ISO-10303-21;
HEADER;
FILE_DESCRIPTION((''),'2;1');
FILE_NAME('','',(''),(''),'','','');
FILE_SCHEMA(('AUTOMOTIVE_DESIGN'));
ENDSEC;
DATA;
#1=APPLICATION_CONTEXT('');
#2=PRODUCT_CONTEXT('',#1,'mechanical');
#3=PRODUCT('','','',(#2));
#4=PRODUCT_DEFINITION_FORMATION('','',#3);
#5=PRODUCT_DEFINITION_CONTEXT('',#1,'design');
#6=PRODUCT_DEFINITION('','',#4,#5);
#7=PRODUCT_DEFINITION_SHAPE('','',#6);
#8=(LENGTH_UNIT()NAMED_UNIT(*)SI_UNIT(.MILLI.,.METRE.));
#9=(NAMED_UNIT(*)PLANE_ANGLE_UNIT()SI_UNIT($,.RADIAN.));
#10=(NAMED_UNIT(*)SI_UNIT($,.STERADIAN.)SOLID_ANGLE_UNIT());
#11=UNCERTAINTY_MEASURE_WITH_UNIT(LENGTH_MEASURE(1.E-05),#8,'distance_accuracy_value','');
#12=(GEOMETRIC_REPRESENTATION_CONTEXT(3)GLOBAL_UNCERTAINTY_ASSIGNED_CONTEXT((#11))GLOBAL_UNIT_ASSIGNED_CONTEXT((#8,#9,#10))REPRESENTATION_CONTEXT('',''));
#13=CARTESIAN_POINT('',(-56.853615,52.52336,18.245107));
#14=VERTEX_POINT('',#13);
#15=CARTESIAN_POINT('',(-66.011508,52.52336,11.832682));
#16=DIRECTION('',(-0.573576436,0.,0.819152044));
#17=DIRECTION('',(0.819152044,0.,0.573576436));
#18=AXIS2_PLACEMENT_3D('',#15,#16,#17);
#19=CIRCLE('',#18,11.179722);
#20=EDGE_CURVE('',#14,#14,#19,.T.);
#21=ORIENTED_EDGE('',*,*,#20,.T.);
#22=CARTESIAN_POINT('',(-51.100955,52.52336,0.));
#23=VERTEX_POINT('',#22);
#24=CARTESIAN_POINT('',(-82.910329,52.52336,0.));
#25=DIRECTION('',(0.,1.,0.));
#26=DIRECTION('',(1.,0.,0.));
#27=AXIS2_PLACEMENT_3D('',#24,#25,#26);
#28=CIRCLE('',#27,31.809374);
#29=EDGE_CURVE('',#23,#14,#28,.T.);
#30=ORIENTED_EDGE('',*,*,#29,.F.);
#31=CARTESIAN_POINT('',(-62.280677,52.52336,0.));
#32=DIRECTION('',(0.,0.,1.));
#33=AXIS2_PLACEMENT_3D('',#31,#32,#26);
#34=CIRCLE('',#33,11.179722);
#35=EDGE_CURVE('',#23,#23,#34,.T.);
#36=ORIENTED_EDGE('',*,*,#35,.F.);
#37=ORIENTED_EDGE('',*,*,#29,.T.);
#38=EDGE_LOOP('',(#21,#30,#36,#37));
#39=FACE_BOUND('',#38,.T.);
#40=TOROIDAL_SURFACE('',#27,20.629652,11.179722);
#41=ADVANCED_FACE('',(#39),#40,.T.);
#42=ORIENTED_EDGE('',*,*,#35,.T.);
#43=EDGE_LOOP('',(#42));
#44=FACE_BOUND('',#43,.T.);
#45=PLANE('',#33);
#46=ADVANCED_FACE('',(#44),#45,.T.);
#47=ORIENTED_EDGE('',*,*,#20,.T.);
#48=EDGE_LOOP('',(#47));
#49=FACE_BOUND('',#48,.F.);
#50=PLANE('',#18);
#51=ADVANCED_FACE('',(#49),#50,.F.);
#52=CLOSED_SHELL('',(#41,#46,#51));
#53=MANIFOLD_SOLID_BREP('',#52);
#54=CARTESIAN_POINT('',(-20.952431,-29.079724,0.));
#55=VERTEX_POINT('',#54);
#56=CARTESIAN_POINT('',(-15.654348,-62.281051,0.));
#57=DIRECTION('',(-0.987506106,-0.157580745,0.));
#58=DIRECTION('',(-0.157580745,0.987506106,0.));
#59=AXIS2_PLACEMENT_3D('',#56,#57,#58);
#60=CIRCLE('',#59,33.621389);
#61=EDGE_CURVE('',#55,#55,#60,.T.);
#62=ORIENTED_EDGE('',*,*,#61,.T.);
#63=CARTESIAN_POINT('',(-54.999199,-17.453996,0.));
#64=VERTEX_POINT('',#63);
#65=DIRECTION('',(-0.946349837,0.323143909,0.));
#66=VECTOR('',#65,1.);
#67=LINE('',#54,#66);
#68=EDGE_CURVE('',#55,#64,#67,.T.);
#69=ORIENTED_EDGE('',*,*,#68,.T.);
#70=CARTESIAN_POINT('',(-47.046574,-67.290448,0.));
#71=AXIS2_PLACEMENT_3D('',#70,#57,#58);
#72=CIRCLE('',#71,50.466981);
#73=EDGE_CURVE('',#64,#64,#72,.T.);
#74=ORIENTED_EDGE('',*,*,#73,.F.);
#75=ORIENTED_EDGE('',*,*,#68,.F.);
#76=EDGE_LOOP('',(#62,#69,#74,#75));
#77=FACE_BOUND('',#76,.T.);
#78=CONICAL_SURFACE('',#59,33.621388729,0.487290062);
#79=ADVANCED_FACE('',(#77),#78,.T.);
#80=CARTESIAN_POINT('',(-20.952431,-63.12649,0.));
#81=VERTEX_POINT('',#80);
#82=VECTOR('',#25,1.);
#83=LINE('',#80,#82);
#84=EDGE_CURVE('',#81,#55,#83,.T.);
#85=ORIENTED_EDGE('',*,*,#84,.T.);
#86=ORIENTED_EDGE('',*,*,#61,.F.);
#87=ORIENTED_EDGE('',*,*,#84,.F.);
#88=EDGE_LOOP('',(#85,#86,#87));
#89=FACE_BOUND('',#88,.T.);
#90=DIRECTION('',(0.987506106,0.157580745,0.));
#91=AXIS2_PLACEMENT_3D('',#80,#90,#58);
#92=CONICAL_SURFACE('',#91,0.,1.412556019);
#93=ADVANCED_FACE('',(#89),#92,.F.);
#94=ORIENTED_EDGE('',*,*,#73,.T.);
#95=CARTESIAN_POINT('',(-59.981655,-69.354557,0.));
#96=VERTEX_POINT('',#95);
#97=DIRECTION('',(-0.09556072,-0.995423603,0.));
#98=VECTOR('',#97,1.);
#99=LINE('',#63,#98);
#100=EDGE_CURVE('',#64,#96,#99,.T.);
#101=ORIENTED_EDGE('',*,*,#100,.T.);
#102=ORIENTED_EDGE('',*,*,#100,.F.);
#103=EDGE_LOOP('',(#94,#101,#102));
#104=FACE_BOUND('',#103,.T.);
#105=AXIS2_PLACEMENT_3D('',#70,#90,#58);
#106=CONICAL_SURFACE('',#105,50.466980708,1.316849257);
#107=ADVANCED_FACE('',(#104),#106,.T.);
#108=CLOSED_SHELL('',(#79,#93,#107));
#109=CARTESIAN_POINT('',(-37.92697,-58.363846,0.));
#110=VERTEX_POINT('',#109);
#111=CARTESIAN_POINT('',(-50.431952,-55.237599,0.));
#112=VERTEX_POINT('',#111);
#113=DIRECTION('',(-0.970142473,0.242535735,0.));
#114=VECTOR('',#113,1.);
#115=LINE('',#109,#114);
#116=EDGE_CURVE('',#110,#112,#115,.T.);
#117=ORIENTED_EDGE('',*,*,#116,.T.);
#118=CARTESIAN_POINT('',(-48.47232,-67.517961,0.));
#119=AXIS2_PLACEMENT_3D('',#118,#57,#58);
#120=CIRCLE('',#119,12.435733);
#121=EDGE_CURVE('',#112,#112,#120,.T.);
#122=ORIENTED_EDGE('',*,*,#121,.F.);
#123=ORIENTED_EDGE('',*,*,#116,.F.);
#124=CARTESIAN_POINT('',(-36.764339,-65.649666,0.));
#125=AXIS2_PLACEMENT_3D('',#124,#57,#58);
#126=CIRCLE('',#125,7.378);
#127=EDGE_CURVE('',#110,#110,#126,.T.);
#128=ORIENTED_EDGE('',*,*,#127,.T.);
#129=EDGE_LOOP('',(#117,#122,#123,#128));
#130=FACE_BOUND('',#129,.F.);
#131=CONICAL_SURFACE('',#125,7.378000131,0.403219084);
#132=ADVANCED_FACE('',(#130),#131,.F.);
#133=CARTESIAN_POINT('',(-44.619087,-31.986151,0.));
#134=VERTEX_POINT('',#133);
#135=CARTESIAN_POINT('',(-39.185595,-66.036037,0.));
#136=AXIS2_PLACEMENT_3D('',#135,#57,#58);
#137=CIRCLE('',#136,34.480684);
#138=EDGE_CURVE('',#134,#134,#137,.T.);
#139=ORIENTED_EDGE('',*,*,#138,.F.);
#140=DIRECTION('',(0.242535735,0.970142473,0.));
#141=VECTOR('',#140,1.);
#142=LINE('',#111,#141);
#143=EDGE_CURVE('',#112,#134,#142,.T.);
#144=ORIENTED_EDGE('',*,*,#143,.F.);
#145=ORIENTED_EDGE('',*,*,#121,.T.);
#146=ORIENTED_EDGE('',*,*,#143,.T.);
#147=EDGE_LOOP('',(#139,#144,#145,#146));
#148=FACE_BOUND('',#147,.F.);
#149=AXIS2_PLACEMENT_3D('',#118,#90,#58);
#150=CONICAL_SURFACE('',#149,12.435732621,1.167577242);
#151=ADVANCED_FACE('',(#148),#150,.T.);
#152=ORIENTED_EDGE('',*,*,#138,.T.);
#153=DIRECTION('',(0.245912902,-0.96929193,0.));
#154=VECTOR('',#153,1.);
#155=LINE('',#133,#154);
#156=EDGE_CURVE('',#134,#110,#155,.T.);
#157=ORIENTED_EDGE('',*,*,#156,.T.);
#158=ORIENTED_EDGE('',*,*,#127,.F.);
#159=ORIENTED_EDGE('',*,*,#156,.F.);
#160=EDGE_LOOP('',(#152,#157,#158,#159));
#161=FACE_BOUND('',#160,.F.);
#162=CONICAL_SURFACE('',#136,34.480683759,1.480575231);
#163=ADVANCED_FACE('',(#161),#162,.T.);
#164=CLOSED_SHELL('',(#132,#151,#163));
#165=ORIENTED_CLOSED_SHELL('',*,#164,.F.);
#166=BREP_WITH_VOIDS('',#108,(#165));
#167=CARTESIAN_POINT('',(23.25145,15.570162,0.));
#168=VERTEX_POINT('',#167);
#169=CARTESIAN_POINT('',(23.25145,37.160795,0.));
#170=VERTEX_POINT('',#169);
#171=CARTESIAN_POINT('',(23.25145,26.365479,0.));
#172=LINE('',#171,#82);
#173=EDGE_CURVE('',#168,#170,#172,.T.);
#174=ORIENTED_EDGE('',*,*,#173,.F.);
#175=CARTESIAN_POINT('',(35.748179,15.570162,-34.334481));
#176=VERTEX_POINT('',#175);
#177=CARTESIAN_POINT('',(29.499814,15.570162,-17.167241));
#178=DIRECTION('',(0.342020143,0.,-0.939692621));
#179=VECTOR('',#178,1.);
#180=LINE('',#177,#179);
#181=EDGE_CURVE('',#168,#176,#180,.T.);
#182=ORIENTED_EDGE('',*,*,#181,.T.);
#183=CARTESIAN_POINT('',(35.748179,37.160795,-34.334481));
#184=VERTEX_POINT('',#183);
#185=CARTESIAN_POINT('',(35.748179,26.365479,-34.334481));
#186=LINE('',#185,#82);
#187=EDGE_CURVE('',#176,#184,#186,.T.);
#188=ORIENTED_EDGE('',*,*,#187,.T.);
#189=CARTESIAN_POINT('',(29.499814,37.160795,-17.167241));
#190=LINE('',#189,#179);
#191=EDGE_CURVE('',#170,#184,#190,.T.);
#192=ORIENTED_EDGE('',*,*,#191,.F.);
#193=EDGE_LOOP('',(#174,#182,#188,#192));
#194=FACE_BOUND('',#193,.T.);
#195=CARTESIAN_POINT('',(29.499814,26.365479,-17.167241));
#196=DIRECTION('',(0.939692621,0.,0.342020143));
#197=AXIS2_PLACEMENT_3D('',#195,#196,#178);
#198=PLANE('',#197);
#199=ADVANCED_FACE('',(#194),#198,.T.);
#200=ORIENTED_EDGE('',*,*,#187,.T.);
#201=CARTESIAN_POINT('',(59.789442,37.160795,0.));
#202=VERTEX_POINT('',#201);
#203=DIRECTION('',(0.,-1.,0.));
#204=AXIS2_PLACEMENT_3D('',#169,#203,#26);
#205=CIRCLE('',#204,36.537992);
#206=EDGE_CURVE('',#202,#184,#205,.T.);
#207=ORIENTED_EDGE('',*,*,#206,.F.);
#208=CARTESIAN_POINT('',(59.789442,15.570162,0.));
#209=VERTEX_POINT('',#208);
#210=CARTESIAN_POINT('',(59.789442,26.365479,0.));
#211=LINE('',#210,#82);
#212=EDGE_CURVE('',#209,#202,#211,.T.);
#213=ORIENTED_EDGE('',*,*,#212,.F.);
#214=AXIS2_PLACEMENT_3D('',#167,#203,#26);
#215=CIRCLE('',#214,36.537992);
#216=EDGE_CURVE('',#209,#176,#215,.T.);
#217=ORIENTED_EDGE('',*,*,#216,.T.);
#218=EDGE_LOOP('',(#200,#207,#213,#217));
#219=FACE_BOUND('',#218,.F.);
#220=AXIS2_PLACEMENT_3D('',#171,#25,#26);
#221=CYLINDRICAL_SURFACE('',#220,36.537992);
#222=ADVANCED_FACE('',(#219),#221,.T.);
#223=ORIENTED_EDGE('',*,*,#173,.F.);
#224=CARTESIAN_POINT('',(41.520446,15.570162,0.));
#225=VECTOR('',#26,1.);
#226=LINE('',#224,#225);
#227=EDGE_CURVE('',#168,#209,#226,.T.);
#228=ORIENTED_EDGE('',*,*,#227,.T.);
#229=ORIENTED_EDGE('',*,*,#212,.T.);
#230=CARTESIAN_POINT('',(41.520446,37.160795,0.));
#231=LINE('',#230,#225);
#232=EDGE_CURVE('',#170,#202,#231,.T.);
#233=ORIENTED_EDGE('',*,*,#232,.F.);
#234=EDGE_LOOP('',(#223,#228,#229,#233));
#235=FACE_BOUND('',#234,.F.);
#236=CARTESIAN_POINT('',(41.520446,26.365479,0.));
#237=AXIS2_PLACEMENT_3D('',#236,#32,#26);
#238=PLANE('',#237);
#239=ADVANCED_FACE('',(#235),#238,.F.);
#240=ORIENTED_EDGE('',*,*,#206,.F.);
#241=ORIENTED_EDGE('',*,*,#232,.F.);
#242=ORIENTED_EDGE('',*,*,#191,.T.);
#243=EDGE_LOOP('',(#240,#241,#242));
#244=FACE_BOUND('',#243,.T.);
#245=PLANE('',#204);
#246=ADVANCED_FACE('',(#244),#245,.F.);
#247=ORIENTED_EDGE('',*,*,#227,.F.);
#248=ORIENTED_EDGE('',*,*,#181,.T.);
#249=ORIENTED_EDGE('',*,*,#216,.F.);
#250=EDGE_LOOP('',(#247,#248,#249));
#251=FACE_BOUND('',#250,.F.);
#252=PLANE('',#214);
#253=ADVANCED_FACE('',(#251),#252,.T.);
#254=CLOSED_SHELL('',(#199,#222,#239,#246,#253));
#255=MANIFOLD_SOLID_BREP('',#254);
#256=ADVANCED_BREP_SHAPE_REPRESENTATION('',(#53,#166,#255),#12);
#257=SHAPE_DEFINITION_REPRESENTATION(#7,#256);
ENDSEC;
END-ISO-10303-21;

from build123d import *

# Parameters (mm, degrees)
F0_R     = 11.1797222355
F1_ANGLE = 325
F0_W     = 36.5379918367
F0_H     = 21.5906333178
F2_ANGLE = 290


with BuildPart() as f1:
    # F0 (on Top) → F1 (revolve)
    with BuildSketch(Plane.XY):
        with Locations((-62.280677259, 52.5233596563)):
            Circle(F0_R)
    revolve(axis=Axis((-82.9103291035, 50.9820729494, 0), (0, 1, 0)), revolution_arc=F1_ANGLE)


with BuildPart() as f2:
    # F0 (on Top) → F2 (revolve)
    with BuildSketch(Plane.XY):
        with Locations((41.5204456076, 26.3654785231)):
            Rectangle(F0_W, F0_H)
    revolve(axis=Axis((23.2514496893, 26.3654785231, 0), (0, -1, 0)), revolution_arc=F2_ANGLE)


with BuildPart() as f3:
    # F0 (on Top) → F3 (revolve)
    with BuildSketch(Plane.XY):
        Polygon((-20.9524314851, -29.0797241032), (-54.9991987646, -17.4539964646), (-59.9816553295, -69.3545565009), (-20.9524314851, -63.1264895201), align=None)
        Polygon((-50.4319518805, -55.2375987172), (-44.6190871298, -31.9861508906), (-37.9269696142, -58.3638457864), align=None, mode=Mode.SUBTRACT)
    revolve(axis=Axis((-40.4670434073, -66.2405230105, 0), (-0.9875061057, -0.157580745, 0)))


solid = Compound([f1.part, f2.part, f3.part])
